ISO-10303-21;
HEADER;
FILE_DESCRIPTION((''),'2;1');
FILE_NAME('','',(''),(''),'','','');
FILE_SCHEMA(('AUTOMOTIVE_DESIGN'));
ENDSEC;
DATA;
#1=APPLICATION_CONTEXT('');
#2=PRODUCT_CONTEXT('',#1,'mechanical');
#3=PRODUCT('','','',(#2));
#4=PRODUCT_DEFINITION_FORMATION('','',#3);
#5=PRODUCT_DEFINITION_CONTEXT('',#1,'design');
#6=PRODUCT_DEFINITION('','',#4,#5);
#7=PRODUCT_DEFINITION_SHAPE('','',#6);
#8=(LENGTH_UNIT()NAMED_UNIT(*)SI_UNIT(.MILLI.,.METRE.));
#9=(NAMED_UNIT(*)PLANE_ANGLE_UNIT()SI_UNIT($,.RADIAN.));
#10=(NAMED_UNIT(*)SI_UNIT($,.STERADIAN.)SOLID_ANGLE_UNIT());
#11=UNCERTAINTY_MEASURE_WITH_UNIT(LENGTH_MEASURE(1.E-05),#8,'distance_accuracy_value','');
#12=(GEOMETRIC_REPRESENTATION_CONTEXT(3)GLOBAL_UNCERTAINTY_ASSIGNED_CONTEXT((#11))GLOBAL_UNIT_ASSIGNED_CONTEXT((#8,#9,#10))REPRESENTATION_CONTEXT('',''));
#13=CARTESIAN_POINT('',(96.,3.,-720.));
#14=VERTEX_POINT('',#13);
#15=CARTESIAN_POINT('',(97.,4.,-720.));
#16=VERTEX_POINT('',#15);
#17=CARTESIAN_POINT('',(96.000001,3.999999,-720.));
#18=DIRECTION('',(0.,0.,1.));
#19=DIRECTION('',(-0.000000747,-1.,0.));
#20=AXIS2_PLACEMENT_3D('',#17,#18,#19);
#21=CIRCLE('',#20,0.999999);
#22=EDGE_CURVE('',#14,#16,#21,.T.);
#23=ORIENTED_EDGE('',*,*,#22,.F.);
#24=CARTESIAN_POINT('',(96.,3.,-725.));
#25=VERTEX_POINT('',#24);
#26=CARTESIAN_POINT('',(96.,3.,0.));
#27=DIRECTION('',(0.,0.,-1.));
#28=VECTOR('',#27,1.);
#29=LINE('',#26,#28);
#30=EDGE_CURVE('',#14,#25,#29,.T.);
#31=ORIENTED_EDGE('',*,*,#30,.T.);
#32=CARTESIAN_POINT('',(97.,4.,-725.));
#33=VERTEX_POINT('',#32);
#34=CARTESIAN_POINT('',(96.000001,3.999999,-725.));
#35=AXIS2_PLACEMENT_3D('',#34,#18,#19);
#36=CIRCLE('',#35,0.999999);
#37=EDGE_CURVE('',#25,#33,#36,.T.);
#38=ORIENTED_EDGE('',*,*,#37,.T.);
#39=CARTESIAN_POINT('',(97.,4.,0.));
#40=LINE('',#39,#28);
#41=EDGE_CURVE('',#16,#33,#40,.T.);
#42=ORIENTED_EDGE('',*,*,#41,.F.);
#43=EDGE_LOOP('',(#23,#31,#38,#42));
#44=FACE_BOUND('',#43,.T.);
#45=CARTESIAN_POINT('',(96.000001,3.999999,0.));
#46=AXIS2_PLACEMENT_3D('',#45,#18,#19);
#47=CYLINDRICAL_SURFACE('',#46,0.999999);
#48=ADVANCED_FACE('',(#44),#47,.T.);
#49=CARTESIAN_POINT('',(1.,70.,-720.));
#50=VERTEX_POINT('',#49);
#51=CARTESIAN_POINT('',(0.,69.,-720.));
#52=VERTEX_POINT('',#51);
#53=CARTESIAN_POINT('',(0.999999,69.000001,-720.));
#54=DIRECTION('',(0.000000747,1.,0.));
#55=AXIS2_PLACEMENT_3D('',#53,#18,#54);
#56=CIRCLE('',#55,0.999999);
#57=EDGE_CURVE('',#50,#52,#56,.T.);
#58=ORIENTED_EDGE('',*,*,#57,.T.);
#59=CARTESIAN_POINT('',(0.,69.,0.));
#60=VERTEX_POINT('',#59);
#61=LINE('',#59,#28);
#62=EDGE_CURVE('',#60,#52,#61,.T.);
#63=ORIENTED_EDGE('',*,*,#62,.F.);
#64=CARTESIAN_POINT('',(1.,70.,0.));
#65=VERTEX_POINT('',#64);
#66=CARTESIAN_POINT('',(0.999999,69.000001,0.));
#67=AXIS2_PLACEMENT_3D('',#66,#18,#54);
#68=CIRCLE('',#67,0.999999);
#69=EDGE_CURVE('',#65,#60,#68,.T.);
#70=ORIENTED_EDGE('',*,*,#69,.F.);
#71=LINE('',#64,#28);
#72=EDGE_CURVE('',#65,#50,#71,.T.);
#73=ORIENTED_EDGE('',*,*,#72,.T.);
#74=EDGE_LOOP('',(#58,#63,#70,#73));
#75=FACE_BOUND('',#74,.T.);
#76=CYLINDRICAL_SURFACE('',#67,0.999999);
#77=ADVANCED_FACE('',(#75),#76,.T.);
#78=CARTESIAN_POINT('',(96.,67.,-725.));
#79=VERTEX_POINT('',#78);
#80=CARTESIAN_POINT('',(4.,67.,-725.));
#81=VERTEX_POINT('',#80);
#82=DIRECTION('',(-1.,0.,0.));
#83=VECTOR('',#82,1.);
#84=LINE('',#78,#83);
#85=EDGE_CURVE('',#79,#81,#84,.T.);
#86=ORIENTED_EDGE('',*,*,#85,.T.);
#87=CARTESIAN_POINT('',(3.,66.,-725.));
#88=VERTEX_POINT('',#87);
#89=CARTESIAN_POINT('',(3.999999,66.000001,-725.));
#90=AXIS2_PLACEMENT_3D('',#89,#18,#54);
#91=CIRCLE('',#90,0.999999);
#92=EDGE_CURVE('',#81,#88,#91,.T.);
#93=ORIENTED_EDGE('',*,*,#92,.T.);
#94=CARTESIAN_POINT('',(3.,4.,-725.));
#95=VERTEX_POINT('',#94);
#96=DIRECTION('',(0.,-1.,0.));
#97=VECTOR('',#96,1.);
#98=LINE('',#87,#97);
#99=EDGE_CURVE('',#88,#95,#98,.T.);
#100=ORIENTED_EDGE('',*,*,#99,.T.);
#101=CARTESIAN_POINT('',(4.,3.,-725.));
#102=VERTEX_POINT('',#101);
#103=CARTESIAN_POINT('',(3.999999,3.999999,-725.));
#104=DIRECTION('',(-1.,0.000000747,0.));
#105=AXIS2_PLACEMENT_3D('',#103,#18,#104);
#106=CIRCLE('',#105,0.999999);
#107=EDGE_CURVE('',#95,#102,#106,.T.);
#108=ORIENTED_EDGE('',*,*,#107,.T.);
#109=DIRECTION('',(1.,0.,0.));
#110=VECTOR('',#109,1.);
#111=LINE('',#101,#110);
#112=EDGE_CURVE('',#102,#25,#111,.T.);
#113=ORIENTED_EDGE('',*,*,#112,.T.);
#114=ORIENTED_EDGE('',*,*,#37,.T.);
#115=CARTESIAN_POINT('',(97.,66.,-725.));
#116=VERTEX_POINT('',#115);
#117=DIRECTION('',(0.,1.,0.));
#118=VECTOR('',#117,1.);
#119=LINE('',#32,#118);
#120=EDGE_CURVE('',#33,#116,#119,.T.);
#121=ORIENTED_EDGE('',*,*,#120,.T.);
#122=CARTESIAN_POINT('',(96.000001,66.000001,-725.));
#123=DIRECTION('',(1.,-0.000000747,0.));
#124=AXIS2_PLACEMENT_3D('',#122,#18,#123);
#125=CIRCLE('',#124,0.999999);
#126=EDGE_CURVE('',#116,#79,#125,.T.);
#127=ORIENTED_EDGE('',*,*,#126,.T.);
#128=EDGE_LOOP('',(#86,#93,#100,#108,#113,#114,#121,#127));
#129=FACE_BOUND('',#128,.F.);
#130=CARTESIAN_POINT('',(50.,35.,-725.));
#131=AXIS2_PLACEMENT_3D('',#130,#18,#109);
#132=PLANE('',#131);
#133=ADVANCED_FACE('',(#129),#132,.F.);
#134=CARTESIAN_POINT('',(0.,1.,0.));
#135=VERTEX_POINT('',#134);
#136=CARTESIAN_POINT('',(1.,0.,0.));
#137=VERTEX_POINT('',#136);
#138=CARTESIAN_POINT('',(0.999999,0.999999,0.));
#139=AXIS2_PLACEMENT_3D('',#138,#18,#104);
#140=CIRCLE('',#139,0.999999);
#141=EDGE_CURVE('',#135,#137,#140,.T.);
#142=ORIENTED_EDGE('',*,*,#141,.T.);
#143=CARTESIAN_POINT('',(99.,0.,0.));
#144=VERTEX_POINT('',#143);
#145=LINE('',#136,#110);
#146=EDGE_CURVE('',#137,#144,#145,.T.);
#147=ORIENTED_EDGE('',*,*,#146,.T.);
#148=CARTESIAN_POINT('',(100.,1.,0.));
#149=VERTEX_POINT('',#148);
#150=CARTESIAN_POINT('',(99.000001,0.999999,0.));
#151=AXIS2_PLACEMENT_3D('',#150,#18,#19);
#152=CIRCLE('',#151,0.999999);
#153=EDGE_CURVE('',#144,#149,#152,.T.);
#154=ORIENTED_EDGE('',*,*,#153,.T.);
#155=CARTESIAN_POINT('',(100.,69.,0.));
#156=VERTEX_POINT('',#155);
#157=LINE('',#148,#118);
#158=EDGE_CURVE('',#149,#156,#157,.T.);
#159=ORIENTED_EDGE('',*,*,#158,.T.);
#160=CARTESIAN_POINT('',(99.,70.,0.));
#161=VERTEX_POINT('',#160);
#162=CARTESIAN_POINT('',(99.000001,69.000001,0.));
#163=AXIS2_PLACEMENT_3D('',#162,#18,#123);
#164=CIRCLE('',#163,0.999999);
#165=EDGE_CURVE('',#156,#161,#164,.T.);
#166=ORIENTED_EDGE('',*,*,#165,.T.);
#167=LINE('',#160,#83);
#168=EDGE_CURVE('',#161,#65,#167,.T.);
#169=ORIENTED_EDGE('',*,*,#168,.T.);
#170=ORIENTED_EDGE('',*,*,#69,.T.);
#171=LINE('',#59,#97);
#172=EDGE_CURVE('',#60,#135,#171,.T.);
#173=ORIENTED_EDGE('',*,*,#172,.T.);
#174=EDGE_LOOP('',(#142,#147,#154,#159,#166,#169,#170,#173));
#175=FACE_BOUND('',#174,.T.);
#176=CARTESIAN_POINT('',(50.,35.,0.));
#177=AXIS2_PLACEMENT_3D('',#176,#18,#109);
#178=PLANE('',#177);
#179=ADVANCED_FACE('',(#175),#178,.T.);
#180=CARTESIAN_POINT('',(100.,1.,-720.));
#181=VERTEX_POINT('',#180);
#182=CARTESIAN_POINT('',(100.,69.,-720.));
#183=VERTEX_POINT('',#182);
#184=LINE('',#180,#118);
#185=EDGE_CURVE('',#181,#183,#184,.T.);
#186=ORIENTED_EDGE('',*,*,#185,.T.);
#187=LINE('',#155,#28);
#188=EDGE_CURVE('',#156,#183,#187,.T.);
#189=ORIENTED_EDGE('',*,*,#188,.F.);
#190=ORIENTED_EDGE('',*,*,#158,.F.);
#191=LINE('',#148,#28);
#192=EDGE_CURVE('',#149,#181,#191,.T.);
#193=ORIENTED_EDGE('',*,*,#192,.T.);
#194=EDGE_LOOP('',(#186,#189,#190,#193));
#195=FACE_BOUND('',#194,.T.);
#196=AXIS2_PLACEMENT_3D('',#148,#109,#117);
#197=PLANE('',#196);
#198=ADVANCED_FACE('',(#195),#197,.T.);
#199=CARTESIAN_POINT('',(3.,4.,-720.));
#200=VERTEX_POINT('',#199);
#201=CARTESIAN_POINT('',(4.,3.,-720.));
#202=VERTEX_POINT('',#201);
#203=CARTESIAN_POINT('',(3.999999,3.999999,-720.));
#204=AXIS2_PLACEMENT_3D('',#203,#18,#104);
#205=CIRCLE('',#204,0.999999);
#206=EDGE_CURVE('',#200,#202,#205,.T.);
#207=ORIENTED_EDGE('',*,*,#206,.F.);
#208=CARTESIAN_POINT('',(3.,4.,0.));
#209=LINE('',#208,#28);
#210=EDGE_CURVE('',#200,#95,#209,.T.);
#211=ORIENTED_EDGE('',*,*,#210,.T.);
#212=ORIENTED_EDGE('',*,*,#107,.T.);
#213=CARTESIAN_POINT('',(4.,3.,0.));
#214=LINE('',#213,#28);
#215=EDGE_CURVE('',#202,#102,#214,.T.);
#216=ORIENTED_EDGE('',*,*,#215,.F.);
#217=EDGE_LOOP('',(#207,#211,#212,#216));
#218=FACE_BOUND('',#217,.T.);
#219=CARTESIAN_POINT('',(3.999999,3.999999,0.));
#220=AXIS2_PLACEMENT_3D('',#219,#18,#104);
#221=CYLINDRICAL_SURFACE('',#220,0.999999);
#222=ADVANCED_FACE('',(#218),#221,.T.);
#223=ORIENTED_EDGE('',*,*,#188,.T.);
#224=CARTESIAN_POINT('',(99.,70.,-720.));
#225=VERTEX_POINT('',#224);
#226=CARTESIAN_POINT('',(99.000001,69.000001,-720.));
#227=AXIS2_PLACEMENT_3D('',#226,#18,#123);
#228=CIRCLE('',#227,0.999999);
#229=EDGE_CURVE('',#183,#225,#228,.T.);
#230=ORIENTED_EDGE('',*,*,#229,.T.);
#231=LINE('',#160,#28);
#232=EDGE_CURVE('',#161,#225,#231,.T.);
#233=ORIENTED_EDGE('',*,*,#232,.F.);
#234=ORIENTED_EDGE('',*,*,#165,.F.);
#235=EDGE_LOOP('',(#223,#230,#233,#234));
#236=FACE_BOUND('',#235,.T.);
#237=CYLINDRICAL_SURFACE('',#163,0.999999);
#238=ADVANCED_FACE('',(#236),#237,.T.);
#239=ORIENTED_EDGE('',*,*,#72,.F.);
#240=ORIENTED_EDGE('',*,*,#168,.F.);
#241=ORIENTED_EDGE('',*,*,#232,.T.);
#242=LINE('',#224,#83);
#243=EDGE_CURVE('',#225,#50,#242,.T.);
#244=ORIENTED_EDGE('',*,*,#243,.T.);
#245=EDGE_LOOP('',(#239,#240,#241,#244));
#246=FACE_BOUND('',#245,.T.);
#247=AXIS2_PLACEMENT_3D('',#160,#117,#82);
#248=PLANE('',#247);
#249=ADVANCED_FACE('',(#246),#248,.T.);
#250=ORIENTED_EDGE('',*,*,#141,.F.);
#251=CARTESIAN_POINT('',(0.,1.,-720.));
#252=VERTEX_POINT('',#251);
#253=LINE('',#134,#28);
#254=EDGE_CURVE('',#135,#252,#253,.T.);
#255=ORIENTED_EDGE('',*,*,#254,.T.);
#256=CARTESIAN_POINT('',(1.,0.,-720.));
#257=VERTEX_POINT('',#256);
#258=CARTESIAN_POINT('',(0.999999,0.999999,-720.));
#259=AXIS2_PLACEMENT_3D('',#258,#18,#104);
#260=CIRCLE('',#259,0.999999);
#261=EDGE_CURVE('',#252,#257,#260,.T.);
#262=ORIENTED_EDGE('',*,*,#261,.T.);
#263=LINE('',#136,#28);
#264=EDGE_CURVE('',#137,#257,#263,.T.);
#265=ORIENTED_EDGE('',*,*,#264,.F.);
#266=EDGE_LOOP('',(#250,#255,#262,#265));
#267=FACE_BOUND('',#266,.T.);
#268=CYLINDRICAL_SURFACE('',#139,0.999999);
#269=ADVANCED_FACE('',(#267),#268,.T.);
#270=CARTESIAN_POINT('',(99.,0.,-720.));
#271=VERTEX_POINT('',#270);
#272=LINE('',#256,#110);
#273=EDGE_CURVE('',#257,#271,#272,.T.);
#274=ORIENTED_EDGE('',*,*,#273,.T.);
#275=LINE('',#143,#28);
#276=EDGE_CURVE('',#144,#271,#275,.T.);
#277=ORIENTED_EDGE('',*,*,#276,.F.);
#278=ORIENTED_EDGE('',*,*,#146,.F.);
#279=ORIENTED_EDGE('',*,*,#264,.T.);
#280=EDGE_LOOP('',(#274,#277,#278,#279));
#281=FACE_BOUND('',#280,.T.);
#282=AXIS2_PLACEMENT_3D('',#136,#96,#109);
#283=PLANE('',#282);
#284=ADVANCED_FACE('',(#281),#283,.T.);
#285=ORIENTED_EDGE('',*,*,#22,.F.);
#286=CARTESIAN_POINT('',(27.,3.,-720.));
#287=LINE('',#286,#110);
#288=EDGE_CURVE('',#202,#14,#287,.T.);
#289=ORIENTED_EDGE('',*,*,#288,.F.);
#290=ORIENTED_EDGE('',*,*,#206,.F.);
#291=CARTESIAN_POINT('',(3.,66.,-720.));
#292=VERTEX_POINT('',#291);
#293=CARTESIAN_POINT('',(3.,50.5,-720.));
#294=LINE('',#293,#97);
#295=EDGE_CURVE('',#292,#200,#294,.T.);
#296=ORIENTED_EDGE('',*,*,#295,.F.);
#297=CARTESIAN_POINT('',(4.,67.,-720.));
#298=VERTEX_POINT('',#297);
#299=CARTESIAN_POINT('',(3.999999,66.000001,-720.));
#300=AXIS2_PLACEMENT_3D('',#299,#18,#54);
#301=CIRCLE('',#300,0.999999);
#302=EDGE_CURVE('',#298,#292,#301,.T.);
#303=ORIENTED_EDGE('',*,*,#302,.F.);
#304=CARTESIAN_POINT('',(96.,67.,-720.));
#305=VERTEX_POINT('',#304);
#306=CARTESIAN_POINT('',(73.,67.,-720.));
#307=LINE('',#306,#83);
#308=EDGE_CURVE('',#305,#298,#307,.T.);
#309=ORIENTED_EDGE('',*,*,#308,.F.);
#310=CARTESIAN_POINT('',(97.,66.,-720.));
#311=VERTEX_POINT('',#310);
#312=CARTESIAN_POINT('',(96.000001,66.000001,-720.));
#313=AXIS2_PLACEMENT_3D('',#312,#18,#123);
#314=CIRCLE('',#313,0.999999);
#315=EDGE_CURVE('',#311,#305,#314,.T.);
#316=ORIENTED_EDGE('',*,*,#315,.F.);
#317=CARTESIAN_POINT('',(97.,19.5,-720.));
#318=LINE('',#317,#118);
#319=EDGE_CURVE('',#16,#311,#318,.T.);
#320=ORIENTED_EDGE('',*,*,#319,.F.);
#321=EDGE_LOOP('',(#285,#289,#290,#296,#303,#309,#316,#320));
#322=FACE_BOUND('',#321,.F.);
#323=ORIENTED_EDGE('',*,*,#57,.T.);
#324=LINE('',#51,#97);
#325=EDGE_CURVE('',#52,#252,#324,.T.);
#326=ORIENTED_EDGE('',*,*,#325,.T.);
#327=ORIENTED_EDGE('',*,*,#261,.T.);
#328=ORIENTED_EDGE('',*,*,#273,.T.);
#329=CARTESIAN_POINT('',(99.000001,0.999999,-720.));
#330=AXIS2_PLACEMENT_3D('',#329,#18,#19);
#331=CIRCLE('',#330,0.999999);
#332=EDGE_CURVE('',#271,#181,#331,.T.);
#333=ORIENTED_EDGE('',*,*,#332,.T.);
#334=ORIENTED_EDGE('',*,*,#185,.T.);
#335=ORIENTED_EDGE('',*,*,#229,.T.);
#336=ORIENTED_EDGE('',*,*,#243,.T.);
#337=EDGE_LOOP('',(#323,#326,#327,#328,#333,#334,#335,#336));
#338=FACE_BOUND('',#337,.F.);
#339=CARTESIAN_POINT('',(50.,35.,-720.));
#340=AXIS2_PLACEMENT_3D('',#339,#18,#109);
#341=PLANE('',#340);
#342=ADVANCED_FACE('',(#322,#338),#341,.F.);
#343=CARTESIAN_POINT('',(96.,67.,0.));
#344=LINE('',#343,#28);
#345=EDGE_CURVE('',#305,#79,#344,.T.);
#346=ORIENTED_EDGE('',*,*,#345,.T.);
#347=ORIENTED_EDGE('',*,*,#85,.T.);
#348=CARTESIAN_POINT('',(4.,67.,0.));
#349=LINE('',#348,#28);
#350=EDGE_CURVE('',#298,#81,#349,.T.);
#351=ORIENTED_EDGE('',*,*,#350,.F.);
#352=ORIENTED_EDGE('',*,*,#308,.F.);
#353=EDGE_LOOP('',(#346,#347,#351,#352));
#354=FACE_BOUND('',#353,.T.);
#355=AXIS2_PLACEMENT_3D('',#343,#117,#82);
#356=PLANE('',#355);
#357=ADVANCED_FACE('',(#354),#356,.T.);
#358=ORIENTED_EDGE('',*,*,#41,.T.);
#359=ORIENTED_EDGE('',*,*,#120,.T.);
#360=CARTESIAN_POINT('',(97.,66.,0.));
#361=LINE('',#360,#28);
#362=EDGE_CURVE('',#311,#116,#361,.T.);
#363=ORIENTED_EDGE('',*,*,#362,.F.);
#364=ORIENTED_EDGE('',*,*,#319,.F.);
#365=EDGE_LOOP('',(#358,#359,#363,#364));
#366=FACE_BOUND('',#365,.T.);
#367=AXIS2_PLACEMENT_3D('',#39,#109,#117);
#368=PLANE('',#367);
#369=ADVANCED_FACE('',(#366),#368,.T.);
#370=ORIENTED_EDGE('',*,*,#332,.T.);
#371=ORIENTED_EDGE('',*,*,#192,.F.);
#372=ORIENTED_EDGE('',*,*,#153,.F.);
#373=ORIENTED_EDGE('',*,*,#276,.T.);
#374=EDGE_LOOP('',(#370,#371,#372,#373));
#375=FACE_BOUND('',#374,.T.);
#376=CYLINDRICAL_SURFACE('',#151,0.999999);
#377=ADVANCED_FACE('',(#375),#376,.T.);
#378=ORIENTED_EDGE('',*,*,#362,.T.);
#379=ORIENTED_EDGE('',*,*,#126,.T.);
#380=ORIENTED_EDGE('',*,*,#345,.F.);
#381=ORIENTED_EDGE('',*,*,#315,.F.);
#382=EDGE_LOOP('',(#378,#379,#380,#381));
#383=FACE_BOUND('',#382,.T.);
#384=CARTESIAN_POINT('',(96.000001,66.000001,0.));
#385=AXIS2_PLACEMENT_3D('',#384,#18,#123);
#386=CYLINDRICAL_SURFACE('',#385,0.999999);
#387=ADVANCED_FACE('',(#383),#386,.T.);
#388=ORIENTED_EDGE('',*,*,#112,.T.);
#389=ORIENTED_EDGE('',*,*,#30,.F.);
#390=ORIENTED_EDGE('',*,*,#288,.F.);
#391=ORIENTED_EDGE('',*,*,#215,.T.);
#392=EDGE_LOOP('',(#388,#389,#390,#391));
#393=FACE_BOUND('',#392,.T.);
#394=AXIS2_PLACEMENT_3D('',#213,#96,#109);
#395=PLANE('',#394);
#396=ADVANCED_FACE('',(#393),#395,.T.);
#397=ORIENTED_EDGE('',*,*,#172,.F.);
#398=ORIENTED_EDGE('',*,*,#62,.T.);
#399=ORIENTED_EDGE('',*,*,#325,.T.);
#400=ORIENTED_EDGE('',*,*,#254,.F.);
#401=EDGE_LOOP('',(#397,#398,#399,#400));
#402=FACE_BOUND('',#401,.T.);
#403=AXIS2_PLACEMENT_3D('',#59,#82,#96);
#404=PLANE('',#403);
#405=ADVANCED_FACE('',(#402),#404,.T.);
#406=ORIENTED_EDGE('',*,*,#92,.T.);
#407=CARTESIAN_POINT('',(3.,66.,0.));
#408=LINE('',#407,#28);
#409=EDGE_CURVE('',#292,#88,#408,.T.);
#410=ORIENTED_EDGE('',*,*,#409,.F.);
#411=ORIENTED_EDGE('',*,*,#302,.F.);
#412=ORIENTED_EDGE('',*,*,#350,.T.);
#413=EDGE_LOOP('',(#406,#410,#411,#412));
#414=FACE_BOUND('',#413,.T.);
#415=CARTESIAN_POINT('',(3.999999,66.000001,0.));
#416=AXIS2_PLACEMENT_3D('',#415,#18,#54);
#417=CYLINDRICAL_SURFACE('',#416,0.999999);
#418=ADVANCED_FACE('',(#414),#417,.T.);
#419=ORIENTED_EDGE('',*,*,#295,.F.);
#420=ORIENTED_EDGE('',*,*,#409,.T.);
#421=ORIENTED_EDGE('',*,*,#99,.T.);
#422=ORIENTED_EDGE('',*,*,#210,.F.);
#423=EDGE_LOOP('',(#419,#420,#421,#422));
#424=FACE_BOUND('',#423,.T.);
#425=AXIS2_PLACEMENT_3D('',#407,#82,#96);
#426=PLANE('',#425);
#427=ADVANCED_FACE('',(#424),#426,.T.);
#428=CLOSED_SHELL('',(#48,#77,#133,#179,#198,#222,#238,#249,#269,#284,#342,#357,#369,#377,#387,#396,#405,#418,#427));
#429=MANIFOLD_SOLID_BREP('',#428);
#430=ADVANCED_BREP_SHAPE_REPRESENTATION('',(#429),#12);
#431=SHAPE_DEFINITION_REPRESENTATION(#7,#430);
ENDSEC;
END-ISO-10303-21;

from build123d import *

# Parameters (mm, degrees)
F1_DEPTH = 720
F3_DEPTH = 725


with BuildPart() as f1:
    # F0 (on Top) → F1 (new body)
    with BuildSketch(Plane.XY):
        with BuildLine():
            ThreePointArc((0, 1), (0.292893, 0.292893), (1, 0))
            Line((1, 0), (99, 0))
            ThreePointArc((99, 0), (99.707107, 0.292893), (100, 1))
            Line((100, 1), (100, 69))
            ThreePointArc((100, 69), (99.707107, 69.707107), (99, 70))
            Line((99, 70), (1, 70))
            ThreePointArc((1, 70), (0.292893, 69.707107), (0, 69))
            Line((0, 69), (0, 1))
        make_face()
    extrude(amount=-F1_DEPTH)

    # F2 (on face) → F3 (join)
    with BuildSketch(Plane.XY):
        with BuildLine():
            ThreePointArc((3, 4), (3.292893, 3.292893), (4, 3))
            Line((4, 3), (96, 3))
            ThreePointArc((96, 3), (96.707107, 3.292893), (97, 4))
            Line((97, 4), (97, 66))
            ThreePointArc((97, 66), (96.707107, 66.707107), (96, 67))
            Line((96, 67), (4, 67))
            ThreePointArc((4, 67), (3.292893, 66.707107), (3, 66))
            Line((3, 66), (3, 4))
        make_face()
    extrude(amount=-F3_DEPTH)


solid = f1.part
